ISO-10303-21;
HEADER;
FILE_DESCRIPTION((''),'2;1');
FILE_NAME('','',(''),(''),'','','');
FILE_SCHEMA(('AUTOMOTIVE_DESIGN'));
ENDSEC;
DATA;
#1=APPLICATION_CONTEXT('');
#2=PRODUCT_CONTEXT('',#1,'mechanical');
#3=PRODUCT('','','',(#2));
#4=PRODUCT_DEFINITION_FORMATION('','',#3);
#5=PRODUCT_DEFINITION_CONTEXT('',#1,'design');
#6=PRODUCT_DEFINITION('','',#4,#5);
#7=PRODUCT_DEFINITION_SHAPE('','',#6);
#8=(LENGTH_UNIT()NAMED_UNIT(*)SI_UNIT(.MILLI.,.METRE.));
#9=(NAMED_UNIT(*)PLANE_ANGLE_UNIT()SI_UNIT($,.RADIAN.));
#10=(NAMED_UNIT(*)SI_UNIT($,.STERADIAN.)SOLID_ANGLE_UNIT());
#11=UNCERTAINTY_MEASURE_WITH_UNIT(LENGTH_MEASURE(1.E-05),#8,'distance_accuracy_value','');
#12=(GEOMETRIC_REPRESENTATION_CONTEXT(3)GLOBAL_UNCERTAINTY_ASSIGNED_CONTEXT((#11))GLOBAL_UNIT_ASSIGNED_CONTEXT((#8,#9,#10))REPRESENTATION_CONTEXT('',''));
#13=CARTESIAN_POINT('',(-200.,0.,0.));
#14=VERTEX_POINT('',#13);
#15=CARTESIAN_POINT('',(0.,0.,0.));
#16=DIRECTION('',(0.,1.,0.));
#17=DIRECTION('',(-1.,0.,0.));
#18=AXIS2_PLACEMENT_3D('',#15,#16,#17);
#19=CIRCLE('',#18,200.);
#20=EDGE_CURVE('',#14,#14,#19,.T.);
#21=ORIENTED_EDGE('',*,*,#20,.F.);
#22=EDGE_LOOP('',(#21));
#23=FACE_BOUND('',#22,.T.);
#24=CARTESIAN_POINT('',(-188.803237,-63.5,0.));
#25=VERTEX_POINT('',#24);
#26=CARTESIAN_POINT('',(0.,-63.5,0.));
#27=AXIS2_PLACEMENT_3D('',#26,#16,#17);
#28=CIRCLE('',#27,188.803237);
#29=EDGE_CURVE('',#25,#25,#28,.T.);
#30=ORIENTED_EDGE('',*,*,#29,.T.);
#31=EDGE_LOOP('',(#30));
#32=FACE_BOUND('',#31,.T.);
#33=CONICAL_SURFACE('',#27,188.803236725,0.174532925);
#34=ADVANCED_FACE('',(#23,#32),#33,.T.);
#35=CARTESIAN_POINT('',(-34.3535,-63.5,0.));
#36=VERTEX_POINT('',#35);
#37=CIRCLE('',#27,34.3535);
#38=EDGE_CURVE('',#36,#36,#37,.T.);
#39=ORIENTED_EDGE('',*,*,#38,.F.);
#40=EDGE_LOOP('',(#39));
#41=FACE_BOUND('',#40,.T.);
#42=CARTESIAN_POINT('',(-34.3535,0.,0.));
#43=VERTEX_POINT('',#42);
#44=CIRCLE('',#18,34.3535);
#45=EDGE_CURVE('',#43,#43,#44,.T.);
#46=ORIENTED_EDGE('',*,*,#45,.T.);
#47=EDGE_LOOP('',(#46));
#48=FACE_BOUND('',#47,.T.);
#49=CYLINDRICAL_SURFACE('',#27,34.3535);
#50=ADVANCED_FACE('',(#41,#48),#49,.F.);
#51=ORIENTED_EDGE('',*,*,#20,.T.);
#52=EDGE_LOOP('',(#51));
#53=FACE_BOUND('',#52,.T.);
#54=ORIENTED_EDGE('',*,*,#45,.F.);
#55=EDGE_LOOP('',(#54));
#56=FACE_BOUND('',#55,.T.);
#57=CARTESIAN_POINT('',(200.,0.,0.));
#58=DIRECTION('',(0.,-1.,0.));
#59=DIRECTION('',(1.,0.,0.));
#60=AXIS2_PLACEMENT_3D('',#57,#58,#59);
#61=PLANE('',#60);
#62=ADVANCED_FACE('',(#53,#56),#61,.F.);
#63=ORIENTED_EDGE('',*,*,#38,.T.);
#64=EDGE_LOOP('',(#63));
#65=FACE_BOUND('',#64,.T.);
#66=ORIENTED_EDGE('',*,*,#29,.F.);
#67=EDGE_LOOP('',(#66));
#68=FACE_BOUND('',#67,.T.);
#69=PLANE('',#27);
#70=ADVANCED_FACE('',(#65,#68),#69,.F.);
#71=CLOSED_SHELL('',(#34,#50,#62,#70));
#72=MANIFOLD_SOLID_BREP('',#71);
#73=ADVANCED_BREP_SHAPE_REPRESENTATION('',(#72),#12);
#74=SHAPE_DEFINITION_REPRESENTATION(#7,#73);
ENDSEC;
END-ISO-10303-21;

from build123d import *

# Parameters (mm, degrees)
SKETCH2_R          = 34.3535
CUT_EXTRUDE1_DEPTH = 64.5


with BuildPart() as part:
    # Sketch1 → Revolve1 (revolve)
    with BuildSketch(Plane.XY):
        Polygon((0, 0), (0, -63.5), (188.803236725, -63.5), (200, 0), align=None)
    revolve(axis=Axis((0, 0, 0), (0, -1, 0)))

    # Sketch2 → Cut-Extrude1 (cut, through all)
    with BuildSketch(Plane(origin=(0, 0, 0), x_dir=(1, 0, 0), z_dir=(0, 1, 0))):
        Circle(SKETCH2_R)
    extrude(amount=-CUT_EXTRUDE1_DEPTH, mode=Mode.SUBTRACT)


solid = part.part
